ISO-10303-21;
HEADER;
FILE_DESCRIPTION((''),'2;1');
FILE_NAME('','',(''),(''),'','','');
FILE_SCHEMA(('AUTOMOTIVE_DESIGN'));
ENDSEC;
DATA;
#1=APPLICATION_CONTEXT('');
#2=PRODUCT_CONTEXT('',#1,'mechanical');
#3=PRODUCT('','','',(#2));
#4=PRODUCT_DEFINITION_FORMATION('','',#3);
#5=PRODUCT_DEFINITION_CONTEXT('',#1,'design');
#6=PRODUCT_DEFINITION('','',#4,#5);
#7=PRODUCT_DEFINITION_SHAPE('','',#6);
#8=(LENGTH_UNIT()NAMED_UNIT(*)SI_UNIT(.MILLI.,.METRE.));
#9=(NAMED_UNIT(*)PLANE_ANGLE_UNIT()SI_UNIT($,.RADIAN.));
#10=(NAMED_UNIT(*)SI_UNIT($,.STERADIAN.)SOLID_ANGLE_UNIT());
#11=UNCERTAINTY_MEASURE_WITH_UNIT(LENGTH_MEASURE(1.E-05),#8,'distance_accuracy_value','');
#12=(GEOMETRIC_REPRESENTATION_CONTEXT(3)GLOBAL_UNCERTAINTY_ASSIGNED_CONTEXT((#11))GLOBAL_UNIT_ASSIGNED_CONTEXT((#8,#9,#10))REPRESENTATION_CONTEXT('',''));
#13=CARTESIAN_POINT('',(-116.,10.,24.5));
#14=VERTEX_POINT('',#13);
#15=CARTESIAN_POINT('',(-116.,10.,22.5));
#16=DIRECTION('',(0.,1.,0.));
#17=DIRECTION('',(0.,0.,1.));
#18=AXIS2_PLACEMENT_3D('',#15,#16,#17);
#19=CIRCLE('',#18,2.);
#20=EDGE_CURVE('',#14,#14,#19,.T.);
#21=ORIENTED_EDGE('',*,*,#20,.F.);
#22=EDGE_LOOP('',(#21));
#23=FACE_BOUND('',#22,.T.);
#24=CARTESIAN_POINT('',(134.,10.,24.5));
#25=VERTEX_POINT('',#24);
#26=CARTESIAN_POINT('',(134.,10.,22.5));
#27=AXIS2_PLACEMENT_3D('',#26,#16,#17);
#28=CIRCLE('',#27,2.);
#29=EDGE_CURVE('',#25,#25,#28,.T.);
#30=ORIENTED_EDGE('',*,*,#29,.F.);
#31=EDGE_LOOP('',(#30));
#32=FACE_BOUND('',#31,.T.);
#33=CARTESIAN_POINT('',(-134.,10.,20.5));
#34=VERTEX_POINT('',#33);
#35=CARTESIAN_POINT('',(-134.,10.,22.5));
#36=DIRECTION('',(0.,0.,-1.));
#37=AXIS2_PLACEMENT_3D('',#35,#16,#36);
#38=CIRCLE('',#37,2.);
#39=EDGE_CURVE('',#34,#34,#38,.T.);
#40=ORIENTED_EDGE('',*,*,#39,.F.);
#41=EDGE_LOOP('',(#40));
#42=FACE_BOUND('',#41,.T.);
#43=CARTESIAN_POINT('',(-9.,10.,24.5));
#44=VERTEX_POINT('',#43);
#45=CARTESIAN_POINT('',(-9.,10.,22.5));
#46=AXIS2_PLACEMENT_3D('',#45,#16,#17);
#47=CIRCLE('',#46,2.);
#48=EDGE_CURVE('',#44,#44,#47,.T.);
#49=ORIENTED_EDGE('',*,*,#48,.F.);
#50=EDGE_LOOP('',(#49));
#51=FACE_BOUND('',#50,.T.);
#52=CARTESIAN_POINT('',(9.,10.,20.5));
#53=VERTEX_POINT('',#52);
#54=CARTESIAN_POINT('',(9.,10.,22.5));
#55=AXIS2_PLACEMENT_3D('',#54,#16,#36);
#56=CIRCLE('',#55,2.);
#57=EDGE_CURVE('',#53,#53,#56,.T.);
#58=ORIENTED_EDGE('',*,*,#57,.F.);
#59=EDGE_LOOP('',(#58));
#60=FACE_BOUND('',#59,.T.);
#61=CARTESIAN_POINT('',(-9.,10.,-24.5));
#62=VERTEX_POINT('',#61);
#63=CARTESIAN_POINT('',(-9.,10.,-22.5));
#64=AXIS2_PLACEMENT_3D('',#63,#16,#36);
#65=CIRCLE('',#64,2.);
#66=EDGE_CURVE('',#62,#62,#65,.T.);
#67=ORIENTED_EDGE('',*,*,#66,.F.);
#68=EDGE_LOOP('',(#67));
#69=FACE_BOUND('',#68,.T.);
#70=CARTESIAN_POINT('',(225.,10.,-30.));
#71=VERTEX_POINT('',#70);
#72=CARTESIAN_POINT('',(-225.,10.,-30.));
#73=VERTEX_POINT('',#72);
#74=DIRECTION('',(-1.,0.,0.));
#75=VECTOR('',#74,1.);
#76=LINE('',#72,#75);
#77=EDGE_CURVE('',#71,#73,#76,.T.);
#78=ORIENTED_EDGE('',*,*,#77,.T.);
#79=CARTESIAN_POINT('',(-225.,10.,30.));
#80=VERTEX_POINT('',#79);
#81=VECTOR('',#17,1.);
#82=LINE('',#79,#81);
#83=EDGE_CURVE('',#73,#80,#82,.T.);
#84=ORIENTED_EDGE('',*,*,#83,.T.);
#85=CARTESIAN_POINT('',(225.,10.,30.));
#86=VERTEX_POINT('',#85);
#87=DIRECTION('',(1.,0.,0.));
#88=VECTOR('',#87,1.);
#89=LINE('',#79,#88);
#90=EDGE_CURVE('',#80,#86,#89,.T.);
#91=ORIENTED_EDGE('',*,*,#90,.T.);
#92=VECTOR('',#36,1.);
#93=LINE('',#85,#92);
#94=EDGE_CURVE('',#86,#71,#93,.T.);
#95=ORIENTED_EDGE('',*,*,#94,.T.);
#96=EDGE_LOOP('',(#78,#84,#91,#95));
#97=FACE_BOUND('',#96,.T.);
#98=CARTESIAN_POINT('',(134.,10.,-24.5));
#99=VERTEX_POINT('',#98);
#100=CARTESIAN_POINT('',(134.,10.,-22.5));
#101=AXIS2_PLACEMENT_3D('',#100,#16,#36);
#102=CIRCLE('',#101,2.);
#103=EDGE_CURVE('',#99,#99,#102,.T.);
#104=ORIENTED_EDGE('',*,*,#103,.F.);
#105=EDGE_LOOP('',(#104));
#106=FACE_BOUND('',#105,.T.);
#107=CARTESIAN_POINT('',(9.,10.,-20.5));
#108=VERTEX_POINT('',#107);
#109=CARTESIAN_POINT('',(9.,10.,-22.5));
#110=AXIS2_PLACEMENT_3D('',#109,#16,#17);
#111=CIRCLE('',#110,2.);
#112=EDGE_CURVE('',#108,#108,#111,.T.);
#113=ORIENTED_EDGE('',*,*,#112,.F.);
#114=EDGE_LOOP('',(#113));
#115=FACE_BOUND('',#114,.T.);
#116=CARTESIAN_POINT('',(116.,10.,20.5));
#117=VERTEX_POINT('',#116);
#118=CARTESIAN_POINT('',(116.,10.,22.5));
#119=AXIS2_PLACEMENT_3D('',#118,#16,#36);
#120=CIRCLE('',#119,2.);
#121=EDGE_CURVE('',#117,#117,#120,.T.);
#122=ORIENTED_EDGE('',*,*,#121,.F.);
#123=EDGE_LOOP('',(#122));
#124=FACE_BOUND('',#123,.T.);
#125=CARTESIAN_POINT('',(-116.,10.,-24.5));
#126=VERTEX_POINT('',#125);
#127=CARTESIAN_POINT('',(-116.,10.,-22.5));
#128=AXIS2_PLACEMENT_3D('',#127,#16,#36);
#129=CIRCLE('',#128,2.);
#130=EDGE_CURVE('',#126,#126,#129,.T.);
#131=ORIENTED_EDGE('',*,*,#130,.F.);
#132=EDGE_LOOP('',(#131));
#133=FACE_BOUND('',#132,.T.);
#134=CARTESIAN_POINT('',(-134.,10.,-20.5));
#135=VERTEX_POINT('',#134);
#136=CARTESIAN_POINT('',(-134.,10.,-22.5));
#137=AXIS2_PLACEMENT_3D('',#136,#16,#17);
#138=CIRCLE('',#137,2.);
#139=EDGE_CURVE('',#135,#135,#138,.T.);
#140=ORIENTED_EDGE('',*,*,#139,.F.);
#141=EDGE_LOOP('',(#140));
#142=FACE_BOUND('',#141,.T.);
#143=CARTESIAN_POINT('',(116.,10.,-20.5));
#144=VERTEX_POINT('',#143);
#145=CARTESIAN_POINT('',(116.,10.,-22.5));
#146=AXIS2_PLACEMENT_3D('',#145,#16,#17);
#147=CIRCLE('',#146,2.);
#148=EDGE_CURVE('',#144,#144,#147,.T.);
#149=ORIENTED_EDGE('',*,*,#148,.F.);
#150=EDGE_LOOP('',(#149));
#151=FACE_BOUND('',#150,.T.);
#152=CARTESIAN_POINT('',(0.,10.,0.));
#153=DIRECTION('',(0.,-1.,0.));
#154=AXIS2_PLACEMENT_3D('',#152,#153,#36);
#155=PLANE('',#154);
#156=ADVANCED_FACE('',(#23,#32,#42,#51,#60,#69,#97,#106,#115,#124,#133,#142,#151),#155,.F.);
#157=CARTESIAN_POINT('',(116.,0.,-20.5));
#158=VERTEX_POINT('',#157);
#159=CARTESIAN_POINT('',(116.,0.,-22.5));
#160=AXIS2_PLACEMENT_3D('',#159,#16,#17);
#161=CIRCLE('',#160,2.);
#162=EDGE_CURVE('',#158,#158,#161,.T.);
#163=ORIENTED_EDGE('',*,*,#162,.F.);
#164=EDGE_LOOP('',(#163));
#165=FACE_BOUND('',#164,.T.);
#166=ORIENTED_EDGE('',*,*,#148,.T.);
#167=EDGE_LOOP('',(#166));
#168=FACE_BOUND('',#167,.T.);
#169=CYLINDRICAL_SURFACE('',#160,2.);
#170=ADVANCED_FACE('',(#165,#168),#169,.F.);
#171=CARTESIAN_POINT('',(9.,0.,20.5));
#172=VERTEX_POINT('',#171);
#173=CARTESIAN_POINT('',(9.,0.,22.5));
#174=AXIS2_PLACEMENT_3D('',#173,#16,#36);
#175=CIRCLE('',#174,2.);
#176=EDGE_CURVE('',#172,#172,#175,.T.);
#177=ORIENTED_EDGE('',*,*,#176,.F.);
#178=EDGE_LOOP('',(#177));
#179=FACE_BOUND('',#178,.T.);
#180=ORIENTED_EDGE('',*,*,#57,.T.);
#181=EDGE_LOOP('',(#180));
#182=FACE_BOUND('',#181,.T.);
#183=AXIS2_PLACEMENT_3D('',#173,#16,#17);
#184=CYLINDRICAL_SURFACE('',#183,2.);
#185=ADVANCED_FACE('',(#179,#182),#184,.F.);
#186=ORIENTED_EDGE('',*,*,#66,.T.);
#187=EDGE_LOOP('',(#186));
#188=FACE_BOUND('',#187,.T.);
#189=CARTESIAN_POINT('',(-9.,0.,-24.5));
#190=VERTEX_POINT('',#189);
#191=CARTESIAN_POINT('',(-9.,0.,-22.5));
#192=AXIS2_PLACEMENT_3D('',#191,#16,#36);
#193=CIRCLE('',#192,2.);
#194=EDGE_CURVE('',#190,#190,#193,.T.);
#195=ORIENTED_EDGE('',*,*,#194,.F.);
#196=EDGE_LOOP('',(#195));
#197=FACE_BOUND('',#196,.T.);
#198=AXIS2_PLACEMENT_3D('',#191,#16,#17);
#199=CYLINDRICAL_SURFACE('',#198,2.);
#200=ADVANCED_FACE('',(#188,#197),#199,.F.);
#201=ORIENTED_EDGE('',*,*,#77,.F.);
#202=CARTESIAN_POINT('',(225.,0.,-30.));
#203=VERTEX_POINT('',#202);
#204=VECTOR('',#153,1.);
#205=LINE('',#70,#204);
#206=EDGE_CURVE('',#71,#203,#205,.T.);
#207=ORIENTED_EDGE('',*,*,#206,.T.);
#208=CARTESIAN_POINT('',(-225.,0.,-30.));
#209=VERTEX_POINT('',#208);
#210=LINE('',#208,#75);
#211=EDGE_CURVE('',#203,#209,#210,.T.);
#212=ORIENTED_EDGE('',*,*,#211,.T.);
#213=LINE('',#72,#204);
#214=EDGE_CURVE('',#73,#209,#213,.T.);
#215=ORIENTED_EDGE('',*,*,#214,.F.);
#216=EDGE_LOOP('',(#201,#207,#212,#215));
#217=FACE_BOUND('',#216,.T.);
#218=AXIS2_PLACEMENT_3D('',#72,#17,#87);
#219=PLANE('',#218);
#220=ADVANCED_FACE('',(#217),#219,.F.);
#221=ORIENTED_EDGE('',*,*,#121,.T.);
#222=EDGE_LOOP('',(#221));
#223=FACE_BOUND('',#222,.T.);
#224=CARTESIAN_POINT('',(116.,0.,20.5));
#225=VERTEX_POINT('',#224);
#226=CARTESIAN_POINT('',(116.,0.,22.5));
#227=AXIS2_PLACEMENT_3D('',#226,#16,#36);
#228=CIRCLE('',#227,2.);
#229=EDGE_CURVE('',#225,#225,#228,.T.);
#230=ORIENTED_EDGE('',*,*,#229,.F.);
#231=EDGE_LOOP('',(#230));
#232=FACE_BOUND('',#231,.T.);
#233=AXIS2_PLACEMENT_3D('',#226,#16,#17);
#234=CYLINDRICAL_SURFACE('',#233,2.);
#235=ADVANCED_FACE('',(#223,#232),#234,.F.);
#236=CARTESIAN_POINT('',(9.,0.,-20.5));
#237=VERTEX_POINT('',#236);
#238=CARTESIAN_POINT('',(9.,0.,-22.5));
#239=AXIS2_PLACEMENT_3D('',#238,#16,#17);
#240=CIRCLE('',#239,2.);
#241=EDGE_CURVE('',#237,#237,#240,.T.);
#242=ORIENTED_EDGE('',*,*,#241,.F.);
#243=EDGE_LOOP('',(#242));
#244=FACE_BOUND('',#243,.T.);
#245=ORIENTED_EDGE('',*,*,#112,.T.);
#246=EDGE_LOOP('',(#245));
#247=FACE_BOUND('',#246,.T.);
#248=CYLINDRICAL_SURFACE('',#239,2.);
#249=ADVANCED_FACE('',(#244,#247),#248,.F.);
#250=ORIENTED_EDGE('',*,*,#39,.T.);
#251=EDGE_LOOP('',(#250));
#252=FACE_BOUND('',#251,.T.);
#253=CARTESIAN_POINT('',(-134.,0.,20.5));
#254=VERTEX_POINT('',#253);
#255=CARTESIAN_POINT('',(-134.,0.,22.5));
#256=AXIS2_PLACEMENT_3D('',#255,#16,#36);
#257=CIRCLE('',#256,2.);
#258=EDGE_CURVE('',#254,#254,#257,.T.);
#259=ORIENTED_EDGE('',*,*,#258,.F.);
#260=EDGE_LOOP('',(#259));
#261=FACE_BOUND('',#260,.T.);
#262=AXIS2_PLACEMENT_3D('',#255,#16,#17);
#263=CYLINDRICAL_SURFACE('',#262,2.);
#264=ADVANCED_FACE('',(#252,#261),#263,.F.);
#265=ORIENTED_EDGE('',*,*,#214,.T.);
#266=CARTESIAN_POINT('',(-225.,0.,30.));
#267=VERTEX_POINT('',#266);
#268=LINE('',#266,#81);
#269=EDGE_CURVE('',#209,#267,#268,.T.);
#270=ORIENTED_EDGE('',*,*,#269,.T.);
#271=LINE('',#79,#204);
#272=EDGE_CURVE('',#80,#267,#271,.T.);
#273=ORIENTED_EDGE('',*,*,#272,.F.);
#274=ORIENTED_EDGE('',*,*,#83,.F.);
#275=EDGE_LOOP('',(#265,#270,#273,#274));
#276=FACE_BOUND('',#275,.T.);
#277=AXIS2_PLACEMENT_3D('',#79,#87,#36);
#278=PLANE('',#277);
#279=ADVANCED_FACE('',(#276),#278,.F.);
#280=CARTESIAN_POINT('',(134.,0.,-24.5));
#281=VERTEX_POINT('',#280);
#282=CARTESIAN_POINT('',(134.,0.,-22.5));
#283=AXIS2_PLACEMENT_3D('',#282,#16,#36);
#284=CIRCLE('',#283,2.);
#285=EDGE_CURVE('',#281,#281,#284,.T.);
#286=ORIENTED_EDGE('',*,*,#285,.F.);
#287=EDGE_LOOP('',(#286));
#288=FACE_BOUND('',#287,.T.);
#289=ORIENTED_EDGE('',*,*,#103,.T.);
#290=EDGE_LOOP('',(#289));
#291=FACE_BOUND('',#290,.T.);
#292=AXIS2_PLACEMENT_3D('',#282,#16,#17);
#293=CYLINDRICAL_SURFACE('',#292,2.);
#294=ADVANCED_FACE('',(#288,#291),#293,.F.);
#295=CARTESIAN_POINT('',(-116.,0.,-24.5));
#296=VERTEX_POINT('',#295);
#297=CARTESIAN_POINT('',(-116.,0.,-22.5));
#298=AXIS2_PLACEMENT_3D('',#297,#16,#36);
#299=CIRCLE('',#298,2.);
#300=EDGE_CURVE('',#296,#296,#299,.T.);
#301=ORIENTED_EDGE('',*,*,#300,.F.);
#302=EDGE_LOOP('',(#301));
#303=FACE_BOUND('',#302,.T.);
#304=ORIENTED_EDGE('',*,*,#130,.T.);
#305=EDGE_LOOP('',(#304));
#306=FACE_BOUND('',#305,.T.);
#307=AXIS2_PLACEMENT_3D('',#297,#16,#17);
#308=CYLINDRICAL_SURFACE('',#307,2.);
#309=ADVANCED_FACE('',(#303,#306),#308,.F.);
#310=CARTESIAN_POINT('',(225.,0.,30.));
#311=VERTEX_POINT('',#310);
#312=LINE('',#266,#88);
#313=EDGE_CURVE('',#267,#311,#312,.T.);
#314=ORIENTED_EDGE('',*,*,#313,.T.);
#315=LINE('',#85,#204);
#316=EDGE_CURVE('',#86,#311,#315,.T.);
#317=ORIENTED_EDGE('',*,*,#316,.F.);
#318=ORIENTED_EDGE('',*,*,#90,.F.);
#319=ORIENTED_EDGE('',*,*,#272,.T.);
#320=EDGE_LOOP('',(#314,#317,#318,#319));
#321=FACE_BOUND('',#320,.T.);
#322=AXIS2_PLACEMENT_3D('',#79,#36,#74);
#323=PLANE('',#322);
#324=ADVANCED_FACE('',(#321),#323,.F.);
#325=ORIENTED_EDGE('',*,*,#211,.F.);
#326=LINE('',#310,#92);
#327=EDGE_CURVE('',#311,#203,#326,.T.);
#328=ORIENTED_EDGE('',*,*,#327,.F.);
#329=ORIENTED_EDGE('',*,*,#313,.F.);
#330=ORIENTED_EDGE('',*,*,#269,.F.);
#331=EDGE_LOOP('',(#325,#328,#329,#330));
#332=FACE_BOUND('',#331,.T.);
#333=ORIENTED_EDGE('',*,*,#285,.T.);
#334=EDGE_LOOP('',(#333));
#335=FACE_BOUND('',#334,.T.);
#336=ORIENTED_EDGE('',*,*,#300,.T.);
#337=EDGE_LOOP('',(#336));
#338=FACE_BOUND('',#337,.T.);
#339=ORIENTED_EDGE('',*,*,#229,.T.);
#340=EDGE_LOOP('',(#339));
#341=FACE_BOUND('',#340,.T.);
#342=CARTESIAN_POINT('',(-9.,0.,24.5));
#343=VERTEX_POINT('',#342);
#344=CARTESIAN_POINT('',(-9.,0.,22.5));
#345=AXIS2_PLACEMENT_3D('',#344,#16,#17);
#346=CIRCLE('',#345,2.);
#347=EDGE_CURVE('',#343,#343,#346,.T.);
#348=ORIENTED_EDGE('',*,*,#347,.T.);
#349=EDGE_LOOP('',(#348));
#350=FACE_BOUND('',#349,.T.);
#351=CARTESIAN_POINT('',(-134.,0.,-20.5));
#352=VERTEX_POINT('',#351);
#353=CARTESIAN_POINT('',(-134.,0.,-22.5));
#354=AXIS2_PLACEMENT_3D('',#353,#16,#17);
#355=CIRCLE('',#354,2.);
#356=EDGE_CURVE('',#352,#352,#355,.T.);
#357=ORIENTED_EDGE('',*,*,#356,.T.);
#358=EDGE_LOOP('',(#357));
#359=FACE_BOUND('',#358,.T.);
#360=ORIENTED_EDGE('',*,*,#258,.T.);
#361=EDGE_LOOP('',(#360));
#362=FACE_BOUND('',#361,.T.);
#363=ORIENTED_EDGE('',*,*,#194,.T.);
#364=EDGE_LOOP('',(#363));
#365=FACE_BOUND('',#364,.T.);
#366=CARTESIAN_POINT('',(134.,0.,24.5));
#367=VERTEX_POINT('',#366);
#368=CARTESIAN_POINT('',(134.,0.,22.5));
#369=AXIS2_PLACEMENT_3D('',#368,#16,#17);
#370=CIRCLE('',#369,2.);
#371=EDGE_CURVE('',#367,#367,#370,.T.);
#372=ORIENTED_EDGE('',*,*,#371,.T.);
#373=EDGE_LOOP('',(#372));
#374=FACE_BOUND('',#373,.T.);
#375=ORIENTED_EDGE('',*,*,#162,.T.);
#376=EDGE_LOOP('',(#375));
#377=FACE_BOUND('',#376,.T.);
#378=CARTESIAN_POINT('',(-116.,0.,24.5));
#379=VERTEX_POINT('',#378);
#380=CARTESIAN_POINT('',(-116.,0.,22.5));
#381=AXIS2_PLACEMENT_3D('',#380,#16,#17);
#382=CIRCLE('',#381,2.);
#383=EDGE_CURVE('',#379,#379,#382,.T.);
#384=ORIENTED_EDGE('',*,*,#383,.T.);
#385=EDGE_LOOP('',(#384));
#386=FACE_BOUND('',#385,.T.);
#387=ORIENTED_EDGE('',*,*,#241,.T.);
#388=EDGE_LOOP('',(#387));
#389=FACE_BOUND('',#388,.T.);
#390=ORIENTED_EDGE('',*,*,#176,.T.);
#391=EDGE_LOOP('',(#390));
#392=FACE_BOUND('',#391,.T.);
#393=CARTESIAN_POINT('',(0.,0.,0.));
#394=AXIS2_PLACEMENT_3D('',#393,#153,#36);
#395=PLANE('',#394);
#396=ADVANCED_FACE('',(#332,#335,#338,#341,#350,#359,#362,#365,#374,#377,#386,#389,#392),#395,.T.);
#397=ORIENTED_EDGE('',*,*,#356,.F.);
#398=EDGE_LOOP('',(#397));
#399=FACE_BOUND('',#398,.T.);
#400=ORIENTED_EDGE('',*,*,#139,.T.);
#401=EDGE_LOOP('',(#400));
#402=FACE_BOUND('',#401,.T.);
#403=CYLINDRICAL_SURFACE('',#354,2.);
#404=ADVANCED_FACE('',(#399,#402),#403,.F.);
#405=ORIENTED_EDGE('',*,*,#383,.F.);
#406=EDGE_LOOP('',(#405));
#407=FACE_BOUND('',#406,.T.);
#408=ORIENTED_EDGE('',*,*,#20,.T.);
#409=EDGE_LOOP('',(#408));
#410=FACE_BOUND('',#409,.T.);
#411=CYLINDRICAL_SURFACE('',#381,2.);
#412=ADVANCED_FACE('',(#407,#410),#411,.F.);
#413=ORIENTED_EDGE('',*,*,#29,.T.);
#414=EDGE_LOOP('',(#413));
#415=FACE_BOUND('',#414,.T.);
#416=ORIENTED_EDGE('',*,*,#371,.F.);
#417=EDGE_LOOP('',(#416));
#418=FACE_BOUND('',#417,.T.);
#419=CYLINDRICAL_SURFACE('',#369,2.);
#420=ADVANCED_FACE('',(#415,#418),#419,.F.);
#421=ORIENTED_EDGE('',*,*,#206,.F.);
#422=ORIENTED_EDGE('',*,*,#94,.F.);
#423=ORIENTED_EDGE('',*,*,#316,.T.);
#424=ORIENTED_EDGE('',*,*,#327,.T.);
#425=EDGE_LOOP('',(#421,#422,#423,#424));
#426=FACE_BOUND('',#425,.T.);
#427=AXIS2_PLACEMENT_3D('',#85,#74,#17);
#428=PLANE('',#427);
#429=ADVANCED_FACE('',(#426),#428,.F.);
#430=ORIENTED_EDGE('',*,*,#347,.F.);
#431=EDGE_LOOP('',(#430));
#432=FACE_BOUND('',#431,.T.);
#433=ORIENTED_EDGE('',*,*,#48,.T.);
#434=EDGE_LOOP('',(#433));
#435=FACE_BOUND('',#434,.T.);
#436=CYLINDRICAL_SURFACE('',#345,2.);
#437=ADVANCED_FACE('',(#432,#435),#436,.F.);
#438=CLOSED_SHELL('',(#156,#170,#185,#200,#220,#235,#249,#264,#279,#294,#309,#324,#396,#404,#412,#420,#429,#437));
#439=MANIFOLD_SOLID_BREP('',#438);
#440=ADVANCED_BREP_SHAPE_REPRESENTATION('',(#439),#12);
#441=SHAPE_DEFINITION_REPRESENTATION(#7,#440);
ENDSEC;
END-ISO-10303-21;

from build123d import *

# Parameters (mm, degrees)
ESBO_O1_W                = 450
ESBO_O1_H                = 60
RESSALTO_EXTRUS_O1_DEPTH = 10
ESBO_O2_R                = 2
CORTE_EXTRUS_O1_DEPTH    = 228.21135535


with BuildPart() as part:
    # Esboço1 → Ressalto-extrusão1 (new body)
    with BuildSketch(Plane(origin=(0, 0, 0), x_dir=(1, 0, 0), z_dir=(0, 1, 0))):
        Rectangle(ESBO_O1_W, ESBO_O1_H)
    extrude(amount=RESSALTO_EXTRUS_O1_DEPTH)

    # Esboço2 → Corte-extrusão1 (cut, through all)
    with BuildSketch(Plane(origin=(0, 10, 0), x_dir=(1, 0, 0), z_dir=(0, 1, 0))):
        with Locations(Location((9, 22.5, 0), (0, 0, 270))):
            Circle(ESBO_O2_R)
        with Locations(Location((116, 22.5, 0), (0, 0, 270))):
            Circle(ESBO_O2_R)
        with Locations(Location((134, 22.5, 0), (0, 0, 90))):
            Circle(ESBO_O2_R)
        with Locations(Location((134, -22.5, 0), (0, 0, 270))):
            Circle(ESBO_O2_R)
        with Locations(Location((116, -22.5, 0), (0, 0, 90))):
            Circle(ESBO_O2_R)
        with Locations(Location((9, -22.5, 0), (0, 0, 90))):
            Circle(ESBO_O2_R)
        with Locations(Location((-116, 22.5, 0), (0, 0, 90))):
            Circle(ESBO_O2_R)
        with Locations(Location((-134, 22.5, 0), (0, 0, 270))):
            Circle(ESBO_O2_R)
        with Locations(Location((-134, -22.5, 0), (0, 0, 90))):
            Circle(ESBO_O2_R)
        with Locations(Location((-116, -22.5, 0), (0, 0, 270))):
            Circle(ESBO_O2_R)
        with Locations(Location((-9, -22.5, 0), (0, 0, 270))):
            Circle(ESBO_O2_R)
        with Locations(Location((-9, 22.5, 0), (0, 0, 90))):
            Circle(ESBO_O2_R)
    extrude(amount=-CORTE_EXTRUS_O1_DEPTH, mode=Mode.SUBTRACT)


solid = part.part
